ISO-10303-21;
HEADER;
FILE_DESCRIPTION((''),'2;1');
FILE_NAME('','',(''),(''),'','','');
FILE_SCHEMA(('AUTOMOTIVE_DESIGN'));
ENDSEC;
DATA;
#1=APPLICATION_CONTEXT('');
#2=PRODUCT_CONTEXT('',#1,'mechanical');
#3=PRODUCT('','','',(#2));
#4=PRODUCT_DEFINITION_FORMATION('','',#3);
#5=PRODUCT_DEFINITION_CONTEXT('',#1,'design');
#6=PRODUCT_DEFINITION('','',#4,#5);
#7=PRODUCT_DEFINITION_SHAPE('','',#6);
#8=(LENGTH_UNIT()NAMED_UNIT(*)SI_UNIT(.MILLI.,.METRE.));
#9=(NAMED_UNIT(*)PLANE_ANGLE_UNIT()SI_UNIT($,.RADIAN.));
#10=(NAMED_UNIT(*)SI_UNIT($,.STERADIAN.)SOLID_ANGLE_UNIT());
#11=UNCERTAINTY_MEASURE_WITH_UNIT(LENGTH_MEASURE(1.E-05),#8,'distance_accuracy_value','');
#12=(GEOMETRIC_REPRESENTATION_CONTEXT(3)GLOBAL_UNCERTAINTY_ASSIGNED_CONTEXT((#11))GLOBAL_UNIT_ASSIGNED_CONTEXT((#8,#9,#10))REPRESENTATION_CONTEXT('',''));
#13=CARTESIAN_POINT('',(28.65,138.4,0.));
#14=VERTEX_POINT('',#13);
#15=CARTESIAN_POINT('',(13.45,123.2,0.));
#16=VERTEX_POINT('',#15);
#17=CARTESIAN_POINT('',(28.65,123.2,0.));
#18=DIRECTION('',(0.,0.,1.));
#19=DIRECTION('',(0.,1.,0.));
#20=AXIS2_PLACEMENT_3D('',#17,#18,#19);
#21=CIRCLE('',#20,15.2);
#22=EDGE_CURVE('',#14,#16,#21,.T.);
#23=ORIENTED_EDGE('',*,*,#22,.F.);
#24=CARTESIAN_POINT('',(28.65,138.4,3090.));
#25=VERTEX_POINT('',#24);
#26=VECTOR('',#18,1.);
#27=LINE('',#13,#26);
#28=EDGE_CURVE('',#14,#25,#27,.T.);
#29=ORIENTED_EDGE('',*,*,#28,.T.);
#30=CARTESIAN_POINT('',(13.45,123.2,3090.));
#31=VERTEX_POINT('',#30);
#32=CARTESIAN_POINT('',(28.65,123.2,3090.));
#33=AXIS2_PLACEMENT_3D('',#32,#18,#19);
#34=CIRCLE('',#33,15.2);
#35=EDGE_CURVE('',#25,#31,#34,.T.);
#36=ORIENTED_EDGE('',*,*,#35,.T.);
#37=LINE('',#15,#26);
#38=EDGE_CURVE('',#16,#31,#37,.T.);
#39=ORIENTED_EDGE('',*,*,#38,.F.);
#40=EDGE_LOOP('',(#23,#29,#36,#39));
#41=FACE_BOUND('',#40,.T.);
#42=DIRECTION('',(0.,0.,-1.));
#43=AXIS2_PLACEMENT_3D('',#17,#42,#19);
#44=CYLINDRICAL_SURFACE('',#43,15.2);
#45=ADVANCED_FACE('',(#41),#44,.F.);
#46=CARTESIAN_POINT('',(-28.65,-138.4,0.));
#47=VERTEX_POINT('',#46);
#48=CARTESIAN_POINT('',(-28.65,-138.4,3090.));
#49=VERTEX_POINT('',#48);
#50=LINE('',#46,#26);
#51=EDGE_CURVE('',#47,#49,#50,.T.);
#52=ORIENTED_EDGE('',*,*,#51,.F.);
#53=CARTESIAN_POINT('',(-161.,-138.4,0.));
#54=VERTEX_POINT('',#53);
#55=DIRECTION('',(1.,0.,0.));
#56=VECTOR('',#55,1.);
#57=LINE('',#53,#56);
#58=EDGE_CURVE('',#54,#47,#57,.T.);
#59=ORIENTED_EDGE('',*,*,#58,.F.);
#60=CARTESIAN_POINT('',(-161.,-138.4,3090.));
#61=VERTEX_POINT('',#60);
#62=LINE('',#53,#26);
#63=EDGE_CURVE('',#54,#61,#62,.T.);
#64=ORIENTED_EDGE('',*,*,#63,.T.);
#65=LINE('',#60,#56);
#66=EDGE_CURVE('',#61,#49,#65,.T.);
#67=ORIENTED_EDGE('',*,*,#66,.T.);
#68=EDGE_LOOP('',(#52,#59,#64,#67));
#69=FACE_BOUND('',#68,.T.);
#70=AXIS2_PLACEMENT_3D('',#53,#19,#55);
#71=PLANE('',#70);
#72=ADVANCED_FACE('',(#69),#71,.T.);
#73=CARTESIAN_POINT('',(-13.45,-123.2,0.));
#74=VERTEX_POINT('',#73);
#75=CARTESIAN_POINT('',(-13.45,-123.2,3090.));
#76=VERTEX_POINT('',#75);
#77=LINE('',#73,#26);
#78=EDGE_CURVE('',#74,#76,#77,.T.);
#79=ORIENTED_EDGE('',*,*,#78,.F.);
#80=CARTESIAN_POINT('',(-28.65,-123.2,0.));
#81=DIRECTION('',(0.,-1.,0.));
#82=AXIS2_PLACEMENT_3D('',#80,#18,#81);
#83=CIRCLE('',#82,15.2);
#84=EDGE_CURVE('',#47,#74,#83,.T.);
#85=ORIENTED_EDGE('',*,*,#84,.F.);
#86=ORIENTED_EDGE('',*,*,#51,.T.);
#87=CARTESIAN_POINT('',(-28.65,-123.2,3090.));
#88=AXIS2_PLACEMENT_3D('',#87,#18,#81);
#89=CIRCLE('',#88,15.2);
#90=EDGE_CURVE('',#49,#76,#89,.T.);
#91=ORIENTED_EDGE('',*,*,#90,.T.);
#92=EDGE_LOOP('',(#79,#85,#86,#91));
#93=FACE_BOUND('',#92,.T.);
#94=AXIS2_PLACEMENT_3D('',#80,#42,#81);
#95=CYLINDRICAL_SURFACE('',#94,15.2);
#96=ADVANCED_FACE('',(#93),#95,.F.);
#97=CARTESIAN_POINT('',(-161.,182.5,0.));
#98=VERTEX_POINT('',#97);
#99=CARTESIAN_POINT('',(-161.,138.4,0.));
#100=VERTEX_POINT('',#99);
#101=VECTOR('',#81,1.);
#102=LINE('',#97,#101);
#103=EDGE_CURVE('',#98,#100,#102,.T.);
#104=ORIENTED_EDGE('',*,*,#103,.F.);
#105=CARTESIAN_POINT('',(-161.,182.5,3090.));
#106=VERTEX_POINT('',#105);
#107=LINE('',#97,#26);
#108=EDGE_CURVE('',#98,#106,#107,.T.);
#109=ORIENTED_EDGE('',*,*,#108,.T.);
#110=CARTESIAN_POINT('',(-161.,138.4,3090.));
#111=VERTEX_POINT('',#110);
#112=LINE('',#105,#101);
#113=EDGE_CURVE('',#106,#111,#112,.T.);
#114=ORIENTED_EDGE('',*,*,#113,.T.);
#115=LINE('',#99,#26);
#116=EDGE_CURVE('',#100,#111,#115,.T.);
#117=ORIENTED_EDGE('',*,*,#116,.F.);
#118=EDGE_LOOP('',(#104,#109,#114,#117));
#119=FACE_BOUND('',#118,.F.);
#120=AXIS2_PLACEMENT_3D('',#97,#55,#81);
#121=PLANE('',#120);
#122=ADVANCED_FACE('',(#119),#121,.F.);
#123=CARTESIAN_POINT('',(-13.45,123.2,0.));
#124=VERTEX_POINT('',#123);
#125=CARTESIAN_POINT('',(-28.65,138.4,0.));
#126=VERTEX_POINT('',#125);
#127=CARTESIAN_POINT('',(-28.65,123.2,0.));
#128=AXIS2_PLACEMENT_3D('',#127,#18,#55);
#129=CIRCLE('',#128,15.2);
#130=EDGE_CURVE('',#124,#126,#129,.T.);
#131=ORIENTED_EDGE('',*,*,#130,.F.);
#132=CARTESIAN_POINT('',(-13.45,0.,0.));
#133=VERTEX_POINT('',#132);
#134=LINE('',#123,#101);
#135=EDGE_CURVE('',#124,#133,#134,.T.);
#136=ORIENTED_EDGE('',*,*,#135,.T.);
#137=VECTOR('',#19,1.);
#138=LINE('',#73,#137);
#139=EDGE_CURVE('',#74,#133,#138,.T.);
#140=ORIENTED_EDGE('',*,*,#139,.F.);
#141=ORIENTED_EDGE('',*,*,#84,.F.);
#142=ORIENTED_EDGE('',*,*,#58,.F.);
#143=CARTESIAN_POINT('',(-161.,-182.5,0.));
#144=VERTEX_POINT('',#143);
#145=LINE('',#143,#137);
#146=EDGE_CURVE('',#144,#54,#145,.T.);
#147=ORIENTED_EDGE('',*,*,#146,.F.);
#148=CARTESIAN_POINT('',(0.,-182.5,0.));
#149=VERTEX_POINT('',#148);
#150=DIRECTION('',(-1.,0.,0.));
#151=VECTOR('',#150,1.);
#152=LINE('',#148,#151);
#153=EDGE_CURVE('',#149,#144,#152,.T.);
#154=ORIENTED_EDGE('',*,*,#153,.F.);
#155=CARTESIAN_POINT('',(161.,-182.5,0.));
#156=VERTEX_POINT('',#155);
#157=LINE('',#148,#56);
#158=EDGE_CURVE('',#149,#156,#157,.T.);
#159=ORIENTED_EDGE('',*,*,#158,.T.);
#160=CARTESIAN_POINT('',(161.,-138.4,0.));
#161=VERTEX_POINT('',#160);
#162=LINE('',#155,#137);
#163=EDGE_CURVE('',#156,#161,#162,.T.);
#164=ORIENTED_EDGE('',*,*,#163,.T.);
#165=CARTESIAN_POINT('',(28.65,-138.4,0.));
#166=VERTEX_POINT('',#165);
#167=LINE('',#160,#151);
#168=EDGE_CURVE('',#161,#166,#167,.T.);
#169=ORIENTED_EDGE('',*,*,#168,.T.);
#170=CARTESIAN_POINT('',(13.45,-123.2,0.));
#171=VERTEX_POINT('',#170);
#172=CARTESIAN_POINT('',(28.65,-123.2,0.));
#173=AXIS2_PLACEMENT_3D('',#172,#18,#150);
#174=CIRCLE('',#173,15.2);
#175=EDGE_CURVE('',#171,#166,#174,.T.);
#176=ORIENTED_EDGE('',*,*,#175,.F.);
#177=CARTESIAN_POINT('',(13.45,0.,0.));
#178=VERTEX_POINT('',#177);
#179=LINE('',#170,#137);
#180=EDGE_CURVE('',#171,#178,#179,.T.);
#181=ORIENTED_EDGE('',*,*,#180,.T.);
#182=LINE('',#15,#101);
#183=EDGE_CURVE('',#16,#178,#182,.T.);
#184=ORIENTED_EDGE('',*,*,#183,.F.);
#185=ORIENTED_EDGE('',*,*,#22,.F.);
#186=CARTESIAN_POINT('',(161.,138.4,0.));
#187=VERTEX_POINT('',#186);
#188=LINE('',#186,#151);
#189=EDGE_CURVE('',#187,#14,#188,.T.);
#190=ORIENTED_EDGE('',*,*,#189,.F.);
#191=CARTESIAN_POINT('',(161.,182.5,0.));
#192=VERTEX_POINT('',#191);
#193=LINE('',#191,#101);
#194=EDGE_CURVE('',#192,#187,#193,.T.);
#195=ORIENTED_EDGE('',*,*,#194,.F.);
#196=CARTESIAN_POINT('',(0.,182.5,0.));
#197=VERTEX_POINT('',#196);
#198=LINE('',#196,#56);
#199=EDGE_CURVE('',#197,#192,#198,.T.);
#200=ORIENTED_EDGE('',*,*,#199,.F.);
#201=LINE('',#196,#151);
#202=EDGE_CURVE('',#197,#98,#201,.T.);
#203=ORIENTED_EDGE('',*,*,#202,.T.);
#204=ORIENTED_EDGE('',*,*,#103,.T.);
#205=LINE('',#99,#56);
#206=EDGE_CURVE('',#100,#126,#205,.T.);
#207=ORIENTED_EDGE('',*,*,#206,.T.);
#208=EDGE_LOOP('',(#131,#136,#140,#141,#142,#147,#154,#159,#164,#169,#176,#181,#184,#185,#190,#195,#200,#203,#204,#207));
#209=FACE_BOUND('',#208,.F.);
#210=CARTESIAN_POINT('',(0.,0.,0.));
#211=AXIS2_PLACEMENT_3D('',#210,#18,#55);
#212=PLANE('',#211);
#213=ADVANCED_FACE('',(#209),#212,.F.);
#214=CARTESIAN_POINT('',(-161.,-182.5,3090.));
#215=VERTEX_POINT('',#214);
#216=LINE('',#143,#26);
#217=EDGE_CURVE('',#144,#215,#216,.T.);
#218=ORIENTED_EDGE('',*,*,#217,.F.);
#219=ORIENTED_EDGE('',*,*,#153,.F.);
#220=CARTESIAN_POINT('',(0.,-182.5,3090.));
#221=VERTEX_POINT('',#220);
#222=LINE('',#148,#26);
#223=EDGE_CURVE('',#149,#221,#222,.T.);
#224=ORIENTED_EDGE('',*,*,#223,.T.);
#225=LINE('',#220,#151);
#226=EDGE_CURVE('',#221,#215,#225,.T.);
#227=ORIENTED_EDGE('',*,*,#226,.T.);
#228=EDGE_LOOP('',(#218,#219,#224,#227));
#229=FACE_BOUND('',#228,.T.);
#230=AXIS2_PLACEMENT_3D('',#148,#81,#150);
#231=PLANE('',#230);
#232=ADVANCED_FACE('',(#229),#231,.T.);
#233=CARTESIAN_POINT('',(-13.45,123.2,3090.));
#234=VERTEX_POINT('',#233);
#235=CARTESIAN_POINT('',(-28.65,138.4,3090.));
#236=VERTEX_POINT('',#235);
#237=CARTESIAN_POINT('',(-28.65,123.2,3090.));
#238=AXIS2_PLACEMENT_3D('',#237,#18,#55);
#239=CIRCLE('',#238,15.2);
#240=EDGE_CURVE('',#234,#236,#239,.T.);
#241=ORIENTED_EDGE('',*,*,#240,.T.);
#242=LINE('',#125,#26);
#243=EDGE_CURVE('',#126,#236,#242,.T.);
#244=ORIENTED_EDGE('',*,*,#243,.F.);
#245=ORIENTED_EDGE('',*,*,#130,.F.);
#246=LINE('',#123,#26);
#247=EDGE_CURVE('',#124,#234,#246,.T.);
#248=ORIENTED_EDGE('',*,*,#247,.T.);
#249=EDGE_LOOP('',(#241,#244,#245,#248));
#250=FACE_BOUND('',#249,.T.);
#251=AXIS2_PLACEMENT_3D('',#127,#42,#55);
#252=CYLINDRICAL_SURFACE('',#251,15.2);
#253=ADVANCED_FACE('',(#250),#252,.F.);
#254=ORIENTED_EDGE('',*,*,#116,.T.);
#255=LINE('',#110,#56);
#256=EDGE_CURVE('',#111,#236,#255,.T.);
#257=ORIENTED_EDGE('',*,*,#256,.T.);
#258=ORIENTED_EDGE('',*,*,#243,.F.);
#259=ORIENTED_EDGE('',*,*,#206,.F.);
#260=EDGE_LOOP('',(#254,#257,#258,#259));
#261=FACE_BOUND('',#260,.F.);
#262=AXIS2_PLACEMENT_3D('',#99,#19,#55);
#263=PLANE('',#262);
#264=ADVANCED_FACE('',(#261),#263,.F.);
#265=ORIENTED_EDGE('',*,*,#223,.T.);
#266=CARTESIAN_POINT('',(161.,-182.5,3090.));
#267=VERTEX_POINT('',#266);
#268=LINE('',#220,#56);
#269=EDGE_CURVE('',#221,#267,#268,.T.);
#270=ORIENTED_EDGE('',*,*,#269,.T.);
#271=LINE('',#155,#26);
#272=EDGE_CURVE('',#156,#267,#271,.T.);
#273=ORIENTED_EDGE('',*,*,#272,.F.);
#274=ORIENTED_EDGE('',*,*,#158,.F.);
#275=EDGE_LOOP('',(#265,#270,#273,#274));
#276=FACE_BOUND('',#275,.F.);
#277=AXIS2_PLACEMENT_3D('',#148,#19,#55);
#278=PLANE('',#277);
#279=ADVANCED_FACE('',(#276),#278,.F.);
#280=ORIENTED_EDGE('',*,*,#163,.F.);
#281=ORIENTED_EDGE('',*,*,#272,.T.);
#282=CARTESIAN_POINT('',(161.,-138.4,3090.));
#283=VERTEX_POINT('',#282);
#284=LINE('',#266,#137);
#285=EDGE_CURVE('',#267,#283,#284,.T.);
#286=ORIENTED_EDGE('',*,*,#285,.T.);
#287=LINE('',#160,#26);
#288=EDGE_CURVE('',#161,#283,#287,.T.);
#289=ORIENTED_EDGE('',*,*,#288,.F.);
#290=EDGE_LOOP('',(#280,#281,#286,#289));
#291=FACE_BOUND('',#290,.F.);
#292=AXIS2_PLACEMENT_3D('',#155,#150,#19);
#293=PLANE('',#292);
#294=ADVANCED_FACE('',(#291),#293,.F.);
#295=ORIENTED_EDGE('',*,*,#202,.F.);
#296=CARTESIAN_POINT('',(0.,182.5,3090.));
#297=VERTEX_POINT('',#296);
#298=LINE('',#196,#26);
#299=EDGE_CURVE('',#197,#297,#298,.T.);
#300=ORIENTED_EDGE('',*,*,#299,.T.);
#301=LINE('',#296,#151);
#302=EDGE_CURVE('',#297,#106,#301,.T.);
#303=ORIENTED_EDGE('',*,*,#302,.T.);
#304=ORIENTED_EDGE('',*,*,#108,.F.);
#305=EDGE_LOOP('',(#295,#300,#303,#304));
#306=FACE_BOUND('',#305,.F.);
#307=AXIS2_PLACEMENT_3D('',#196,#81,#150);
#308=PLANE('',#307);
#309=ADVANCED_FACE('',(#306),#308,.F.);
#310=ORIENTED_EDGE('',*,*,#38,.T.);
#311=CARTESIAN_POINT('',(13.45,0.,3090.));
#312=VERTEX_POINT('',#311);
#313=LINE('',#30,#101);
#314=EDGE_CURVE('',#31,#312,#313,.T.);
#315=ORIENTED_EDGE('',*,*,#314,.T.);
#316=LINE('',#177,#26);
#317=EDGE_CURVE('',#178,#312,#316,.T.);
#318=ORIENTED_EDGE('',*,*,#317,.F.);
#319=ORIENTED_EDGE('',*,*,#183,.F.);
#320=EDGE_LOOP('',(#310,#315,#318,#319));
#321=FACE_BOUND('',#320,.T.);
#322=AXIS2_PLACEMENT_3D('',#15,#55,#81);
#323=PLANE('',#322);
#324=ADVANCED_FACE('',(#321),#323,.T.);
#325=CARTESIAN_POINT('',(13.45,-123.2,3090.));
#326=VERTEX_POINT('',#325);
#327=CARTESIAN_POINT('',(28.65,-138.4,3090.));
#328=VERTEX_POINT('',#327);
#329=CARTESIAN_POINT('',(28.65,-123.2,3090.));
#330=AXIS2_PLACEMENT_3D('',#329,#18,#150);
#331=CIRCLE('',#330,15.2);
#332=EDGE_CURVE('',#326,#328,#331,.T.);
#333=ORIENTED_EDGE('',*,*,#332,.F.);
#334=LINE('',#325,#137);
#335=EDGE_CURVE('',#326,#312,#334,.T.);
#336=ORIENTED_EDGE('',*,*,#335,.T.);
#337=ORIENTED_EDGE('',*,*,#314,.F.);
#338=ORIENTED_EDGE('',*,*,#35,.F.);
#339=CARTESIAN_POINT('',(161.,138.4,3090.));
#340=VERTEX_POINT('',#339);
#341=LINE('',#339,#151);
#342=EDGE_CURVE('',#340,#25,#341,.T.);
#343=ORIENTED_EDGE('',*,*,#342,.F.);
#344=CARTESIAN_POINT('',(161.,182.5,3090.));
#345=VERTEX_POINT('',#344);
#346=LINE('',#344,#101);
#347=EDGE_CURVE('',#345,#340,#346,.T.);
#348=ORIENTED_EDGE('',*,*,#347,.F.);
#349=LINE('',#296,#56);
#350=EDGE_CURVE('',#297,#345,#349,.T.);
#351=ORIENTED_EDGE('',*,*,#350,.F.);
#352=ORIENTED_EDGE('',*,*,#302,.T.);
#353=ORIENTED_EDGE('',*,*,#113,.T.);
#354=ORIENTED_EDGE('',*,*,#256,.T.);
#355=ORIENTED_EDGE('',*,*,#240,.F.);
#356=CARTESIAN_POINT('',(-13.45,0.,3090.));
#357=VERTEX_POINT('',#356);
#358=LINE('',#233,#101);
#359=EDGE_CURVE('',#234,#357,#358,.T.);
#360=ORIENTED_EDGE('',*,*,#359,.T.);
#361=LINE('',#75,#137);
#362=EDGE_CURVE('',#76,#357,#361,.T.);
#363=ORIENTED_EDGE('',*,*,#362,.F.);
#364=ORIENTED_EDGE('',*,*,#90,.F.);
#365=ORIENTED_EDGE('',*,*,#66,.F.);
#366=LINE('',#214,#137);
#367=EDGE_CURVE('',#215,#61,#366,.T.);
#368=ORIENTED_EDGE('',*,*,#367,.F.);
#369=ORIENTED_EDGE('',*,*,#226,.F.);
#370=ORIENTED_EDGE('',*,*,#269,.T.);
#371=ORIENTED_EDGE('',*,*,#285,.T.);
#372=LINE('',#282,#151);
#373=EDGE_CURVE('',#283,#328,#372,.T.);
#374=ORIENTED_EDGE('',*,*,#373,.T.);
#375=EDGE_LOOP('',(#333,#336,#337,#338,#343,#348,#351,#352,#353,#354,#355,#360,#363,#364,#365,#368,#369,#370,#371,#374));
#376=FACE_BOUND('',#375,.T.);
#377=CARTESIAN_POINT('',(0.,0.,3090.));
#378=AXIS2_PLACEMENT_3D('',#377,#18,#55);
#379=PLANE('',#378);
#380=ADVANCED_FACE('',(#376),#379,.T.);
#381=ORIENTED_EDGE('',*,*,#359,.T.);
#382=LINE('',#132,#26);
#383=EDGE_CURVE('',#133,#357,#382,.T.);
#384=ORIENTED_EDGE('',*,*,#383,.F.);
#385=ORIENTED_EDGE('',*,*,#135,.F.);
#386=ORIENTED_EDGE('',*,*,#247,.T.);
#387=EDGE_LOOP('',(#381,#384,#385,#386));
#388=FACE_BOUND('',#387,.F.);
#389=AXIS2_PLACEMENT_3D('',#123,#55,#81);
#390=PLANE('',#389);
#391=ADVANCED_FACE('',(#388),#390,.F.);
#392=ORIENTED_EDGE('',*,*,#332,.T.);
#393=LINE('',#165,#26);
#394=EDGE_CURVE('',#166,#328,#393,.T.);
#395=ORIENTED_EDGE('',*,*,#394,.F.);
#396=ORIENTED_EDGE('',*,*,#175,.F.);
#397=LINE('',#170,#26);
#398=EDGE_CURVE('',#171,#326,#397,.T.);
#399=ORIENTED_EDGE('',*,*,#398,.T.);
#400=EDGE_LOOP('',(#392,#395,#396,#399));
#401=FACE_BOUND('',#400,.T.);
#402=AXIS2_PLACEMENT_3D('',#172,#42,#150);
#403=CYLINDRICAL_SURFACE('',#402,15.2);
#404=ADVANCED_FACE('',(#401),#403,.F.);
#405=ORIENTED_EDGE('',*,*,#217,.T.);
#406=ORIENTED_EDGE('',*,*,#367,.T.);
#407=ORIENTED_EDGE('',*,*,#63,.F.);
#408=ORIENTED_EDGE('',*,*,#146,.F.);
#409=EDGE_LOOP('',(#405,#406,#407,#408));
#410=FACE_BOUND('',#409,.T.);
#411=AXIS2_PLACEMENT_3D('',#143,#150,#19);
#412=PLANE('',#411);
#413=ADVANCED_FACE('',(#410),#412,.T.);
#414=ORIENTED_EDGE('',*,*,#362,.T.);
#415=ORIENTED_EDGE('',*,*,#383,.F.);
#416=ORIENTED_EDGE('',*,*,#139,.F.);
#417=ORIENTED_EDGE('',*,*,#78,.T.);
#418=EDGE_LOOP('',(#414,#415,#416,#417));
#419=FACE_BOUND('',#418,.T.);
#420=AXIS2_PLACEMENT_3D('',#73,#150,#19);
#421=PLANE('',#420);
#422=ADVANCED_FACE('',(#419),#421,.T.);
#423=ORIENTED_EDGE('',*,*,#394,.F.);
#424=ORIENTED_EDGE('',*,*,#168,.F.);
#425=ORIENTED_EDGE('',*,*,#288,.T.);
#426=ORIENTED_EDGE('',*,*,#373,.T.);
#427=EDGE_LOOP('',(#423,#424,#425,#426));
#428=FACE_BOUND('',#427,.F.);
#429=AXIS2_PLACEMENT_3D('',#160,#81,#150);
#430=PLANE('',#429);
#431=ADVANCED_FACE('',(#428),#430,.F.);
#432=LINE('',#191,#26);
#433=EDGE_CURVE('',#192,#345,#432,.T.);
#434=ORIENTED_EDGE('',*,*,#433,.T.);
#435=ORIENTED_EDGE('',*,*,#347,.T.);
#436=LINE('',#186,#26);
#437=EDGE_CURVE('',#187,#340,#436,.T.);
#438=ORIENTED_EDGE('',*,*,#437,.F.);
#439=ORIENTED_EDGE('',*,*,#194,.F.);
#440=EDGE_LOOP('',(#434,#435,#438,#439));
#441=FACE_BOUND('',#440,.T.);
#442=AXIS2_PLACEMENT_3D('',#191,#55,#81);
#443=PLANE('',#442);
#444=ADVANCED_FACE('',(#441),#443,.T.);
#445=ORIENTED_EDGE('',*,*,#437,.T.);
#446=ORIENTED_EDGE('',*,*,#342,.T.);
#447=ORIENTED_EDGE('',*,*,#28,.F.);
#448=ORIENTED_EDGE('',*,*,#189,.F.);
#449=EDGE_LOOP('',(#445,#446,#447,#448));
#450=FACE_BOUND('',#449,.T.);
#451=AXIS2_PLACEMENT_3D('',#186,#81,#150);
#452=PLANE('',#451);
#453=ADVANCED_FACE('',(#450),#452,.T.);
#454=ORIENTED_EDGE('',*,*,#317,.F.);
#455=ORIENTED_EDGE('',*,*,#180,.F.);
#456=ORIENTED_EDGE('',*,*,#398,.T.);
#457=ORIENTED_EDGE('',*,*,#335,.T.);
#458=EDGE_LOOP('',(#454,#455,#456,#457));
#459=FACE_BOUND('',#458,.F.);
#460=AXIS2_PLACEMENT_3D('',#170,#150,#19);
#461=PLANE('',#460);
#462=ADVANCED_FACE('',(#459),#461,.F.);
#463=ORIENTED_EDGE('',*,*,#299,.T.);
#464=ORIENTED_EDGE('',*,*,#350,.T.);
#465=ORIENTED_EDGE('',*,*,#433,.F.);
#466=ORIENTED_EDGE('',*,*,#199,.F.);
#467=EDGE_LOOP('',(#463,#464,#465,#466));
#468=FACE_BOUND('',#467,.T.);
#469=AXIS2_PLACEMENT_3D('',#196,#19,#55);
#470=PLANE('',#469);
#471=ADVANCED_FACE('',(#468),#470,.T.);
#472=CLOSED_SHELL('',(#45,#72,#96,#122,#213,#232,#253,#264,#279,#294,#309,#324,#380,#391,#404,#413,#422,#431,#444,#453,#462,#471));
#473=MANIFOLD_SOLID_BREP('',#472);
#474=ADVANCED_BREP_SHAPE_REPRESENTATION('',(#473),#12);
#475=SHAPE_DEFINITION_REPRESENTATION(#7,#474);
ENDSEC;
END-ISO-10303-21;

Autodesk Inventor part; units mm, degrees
ref_plane "YZ Plane" through (0, 0, 0) normal (1, 0, 0) x (0, 1, 0)
ref_plane "Start plane" through (0, 0, 0) normal (0, 0, 1) x (1, 0, 0)
ref_plane "End plane" through (0, 0, 3090) normal (0, 0, 1) x (1, 0, 0)
sketch "Sketch" plane through (0, 0, 0) normal (0, 0, 1) x (1, 0, 0)
  line L0 (-161, -182.5) -> (-161, -138.4)
  line L1 (-161, -138.4) -> (-28.65, -138.4)
  line L2 (-13.45, -123.2) -> (-13.45, 0)
  line L3 (-13.45, 0) -> (0, 0) construction
  line L4 (0, 0) -> (0, -182.5) construction
  line L5 (0, -182.5) -> (-161, -182.5)
  line L6 (-60, 0) -> (80, 0) construction
  line L7 (0, -60) -> (0, 80) construction
  line L8 (161, -182.5) -> (161, -138.4)
  line L9 (161, -138.4) -> (28.65, -138.4)
  line L10 (13.45, -123.2) -> (13.45, 0)
  line L11 (13.45, 0) -> (0, 0) construction
  line L12 (0, -182.5) -> (161, -182.5)
  line L13 (-161, 182.5) -> (-161, 138.4)
  line L14 (-161, 138.4) -> (-28.65, 138.4)
  line L15 (-13.45, 123.2) -> (-13.45, 0)
  line L16 (0, 182.5) -> (-161, 182.5)
  line L17 (161, 182.5) -> (161, 138.4)
  line L18 (161, 138.4) -> (28.65, 138.4)
  line L19 (0, 182.5) -> (161, 182.5)
  line L20 (13.45, 123.2) -> (13.45, 0)
  arc A0 (-13.45, 123.2) -> (-28.65, 138.4) centre (-28.65, 123.2) ccw
  arc A1 (28.65, 138.4) -> (13.45, 123.2) centre (28.65, 123.2) ccw
  arc A2 (13.45, -123.2) -> (28.65, -138.4) centre (28.65, -123.2) ccw
  arc A3 (-28.65, -138.4) -> (-13.45, -123.2) centre (-28.65, -123.2) ccw
  line L21 (0, 108) -> (0, -88) construction
  line L22 (-88, 0) -> (108, 0) construction
  point P0 (-13.45, -138.4)
  point P1 (13.45, -138.4)
  point P2 (-13.45, 138.4)
  point P3 (13.45, 138.4)
  dimension "d1" = 182.5
  dimension "d2" = 44.1
  dimension "d3" = 161
  dimension "d4" = 13.45
  dimension "d10" = 15.2
extrude "Body" add sketch "Sketch" along normal up to surface (3090 mm away) from surface at 0
sketch "Sketch4" plane through (0, 0, 0) normal (0, 0, 1) x (1, 0, 0)
  line L0 (0, 0) -> (10, 0)
ref_plane "Work Plane3" through (0, 0, 0) normal (0, -1, 0) x (1, 0, 0)
sketch "Sketch5" plane through (0, 0, 0) normal (0, -1, 0) x (1, 0, 0)
  line L0 (-2, 0) -> (12, 0) projected
  line L1 (-2, 3090) -> (12, 3090) projected
  dimension "d14" = 3090
equation "\"d1\" = 0.5 * G_H"
equation "\"d2\" = G_T1"
equation "\"d3\" = 0.5 * G_W"
equation "\"d4\" = 0.5 * G_T"
equation "\"d10\" = G_IR"
equation "\"d5\" = G_L"
equation "\"G_W\" = 322"
equation "\"G_H\" = 365"
equation "\"G_T\" = 26.9"
equation "\"G_T1\" = 44.1"
equation "\"G_IR\" = 15.2"
equation "\"G_L\" = d14"
equation "\"G_OFFSET_START\" = 0"
equation "\"G_OFFSET_END\" = 0"
properties part number "AS 3679 - 310 UC - 283 - 3090" material "Steel, Mild"
